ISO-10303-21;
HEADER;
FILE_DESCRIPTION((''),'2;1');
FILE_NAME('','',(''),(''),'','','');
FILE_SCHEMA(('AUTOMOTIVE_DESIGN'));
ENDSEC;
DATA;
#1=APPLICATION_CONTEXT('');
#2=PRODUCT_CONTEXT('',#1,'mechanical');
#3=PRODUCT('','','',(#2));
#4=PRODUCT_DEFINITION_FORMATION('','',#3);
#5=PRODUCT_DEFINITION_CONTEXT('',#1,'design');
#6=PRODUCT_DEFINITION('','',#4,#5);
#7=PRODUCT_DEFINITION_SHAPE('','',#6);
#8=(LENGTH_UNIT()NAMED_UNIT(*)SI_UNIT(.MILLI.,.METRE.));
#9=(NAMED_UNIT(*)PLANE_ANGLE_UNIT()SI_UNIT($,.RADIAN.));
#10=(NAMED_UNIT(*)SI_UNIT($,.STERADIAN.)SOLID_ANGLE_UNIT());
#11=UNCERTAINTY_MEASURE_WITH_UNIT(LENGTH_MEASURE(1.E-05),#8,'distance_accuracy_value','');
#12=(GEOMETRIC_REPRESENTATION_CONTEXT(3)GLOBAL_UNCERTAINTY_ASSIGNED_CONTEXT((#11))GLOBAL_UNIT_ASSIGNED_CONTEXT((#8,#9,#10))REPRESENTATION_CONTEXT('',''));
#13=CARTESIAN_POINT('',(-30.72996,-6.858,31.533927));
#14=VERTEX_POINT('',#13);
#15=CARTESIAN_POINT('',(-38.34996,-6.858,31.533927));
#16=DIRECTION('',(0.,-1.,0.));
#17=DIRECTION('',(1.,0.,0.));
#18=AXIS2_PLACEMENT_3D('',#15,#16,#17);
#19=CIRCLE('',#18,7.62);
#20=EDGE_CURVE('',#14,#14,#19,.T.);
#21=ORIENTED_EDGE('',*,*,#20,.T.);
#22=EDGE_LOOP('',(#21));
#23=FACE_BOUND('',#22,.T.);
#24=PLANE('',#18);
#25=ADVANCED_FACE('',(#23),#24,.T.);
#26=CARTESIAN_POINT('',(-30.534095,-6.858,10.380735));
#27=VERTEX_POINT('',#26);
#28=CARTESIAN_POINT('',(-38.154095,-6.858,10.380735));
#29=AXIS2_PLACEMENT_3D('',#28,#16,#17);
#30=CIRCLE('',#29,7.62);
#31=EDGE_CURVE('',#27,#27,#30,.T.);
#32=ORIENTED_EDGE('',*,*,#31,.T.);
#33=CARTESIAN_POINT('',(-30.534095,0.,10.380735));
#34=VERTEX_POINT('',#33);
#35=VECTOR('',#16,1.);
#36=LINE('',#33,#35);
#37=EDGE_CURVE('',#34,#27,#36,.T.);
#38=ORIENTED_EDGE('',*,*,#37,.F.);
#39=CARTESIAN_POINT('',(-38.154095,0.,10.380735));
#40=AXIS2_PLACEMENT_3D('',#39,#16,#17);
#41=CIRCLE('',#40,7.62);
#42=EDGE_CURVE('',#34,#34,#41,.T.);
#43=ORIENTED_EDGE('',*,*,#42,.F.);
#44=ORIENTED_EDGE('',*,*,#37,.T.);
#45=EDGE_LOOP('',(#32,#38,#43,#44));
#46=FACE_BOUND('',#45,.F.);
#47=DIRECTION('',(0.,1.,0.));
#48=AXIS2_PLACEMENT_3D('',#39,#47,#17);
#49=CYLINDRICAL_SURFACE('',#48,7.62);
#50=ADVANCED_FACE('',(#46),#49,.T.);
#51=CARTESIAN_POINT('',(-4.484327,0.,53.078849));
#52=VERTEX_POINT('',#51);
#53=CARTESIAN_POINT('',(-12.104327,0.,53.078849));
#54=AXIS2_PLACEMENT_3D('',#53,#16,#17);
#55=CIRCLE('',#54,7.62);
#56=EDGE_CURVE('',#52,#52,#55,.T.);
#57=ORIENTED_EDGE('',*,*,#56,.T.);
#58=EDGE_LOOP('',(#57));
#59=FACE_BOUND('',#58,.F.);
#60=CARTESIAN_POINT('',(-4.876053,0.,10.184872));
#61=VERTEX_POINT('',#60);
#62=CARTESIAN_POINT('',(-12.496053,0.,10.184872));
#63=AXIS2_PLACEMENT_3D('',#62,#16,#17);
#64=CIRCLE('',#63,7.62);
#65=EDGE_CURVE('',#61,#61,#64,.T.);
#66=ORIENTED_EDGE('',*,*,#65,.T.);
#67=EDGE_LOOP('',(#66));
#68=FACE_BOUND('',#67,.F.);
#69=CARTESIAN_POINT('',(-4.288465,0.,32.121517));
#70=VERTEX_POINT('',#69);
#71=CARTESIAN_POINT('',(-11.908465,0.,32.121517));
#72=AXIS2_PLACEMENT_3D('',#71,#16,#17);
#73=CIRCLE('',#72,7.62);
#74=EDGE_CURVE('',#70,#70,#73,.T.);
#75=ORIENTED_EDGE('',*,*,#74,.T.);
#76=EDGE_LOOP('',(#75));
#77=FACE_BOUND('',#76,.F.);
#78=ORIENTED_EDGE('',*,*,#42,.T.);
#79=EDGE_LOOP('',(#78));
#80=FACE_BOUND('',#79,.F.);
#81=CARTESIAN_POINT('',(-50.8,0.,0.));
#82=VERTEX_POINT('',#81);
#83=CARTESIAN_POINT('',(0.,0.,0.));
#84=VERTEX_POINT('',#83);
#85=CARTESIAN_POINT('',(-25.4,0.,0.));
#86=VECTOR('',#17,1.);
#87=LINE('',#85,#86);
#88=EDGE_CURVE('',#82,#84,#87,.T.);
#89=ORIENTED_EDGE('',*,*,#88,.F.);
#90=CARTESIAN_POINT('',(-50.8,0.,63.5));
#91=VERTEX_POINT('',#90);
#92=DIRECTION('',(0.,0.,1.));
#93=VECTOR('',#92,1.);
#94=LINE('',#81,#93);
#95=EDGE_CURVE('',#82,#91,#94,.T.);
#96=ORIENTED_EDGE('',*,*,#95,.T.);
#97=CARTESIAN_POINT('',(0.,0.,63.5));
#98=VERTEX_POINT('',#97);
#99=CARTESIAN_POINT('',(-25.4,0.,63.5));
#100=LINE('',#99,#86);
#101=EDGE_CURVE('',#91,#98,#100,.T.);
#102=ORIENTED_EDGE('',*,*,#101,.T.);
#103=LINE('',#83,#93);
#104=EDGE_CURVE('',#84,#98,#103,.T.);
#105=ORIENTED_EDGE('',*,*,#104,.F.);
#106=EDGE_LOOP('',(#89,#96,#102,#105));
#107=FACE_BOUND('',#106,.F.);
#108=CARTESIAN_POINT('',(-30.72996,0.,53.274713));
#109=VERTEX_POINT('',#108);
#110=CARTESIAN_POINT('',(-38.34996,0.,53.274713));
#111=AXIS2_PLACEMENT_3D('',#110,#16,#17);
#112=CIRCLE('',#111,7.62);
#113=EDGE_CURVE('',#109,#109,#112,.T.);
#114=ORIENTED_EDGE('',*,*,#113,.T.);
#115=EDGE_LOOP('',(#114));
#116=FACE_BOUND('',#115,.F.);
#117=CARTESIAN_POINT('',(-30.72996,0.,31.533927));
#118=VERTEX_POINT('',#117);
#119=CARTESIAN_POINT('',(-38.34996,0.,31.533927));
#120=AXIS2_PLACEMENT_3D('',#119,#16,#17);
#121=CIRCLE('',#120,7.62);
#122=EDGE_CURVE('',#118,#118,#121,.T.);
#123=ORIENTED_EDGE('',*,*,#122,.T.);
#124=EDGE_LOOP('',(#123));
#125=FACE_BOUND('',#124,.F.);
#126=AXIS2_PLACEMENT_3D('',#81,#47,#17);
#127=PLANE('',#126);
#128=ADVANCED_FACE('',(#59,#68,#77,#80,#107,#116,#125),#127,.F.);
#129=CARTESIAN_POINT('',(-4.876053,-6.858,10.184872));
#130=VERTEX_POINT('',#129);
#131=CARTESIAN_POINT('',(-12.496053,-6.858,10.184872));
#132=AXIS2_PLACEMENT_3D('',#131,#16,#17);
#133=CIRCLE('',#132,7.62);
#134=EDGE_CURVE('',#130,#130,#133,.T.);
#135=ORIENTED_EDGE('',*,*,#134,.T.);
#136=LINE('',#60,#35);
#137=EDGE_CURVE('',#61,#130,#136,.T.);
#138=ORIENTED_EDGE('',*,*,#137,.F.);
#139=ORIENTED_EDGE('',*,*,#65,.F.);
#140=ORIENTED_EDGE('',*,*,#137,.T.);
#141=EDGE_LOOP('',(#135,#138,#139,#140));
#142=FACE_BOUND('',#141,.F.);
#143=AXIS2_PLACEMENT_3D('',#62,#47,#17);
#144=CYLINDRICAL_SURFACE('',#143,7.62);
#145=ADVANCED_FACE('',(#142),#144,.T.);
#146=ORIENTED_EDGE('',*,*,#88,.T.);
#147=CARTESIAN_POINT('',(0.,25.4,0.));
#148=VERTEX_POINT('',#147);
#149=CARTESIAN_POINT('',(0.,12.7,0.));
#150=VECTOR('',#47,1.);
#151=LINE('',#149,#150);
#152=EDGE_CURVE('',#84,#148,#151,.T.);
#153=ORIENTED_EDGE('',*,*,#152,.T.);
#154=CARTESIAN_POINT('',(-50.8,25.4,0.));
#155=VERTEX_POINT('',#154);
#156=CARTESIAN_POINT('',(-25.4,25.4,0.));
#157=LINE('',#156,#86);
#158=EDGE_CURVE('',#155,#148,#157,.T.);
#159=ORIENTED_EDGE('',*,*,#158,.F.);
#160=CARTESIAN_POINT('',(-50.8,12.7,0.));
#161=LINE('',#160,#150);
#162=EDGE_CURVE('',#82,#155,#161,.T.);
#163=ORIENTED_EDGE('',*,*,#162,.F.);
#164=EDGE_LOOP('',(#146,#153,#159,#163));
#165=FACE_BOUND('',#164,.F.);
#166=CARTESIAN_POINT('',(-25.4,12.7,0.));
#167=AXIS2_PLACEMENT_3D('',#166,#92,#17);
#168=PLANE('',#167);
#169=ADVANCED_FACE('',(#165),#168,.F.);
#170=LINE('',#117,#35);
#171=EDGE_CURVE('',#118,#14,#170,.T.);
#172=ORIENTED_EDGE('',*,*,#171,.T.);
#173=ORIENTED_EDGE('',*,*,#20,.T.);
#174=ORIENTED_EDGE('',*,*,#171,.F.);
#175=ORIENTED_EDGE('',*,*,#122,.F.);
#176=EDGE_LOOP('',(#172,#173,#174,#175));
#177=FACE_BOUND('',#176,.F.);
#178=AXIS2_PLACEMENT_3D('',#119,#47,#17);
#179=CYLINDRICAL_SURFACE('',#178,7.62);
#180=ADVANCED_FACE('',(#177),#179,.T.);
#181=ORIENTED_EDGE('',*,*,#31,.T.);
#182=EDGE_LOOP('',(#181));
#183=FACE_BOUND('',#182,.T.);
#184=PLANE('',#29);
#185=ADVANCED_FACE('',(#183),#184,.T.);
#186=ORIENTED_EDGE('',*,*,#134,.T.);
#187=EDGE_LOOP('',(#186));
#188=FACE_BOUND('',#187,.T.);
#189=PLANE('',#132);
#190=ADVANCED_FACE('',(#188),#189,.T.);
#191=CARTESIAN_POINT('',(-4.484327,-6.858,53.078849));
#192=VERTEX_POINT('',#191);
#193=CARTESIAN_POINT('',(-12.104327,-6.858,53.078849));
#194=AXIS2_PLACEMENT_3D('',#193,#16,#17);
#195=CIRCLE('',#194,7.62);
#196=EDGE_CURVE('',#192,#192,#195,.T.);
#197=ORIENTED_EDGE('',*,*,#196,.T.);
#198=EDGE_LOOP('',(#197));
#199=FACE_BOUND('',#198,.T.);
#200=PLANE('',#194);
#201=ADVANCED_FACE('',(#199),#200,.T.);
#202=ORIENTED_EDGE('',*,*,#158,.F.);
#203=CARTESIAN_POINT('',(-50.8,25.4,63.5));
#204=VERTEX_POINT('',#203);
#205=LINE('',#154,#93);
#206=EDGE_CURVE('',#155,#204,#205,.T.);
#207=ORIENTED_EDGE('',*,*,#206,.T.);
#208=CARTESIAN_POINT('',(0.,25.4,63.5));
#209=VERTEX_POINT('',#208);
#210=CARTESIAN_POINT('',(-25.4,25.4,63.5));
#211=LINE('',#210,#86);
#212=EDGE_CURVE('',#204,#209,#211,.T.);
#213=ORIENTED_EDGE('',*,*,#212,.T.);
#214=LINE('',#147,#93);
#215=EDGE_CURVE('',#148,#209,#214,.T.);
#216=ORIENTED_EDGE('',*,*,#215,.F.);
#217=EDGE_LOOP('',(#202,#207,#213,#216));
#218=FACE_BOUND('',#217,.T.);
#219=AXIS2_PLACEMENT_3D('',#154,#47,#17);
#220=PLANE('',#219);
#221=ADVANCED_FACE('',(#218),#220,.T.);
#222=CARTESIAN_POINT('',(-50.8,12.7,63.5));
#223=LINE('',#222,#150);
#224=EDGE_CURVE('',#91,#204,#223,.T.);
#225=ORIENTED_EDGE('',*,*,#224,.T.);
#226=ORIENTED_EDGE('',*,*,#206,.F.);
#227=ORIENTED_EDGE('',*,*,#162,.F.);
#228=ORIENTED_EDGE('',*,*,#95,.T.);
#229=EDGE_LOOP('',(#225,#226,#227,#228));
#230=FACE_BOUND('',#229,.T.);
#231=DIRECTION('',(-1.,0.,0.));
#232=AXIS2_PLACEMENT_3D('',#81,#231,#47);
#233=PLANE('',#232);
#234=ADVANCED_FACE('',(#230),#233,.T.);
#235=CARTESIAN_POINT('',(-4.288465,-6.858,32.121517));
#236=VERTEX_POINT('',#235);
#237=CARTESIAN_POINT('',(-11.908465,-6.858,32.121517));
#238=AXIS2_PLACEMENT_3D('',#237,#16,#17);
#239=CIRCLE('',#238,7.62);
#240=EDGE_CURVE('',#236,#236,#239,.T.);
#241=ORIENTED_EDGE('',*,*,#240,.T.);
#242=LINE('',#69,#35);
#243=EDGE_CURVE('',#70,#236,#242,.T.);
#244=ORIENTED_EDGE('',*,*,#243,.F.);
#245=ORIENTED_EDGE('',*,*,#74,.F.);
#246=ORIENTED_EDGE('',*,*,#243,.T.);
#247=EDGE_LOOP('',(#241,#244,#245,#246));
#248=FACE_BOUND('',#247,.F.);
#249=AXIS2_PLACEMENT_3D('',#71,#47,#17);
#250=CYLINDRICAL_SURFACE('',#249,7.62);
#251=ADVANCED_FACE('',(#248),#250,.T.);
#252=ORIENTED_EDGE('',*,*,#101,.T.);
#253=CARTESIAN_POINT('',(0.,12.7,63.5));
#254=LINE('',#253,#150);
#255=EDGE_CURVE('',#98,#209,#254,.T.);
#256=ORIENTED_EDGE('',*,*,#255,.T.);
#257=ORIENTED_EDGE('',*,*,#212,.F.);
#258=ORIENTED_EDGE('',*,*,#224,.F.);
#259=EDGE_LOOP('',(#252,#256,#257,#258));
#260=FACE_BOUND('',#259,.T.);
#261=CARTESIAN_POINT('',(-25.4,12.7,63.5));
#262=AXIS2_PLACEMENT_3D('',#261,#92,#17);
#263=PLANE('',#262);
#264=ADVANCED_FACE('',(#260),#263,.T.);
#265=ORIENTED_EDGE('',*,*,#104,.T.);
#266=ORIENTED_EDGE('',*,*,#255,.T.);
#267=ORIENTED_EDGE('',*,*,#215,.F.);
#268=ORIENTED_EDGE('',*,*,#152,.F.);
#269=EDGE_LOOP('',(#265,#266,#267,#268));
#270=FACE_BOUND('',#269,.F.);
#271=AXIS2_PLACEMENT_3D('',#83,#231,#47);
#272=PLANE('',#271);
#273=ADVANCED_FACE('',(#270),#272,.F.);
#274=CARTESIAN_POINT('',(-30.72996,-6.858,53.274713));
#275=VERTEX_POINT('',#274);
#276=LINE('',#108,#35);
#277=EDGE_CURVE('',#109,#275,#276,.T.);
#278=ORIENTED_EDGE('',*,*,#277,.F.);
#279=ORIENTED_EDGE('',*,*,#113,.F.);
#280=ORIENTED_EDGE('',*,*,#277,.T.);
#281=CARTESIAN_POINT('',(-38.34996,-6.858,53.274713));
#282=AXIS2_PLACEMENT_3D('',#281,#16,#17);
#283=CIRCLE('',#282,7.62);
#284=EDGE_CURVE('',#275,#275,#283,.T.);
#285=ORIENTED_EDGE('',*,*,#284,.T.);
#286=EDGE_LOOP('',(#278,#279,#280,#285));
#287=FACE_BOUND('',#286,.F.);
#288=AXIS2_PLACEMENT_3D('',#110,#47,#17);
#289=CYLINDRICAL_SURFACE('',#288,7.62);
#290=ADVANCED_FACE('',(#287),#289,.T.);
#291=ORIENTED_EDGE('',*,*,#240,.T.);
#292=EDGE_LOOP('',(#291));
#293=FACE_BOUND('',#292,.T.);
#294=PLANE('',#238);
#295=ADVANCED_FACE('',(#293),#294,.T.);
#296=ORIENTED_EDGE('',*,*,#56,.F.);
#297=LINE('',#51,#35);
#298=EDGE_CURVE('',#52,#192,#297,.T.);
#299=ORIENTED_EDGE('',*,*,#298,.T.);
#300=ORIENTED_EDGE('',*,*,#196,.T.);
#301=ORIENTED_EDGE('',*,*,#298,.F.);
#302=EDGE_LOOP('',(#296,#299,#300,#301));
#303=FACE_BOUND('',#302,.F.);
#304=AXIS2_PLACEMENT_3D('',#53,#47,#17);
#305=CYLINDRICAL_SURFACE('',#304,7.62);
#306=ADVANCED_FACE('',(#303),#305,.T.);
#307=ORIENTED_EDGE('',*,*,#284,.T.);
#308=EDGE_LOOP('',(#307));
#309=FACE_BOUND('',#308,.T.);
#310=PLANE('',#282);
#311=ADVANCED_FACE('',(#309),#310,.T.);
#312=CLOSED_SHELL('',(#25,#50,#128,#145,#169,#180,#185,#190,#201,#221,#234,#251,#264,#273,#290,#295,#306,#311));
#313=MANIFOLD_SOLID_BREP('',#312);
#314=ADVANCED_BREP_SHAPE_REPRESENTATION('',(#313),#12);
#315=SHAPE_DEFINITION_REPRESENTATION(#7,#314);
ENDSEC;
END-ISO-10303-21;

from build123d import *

# Parameters (mm, degrees)
F1_W     = 50.8
F1_H     = 25.4
F2_DEPTH = 63.5
F3_R     = 7.62
F4_DEPTH = 6.858


with BuildPart() as f2:
    # F1 (on Top) → F2 (new body)
    with BuildSketch(Plane.XY):
        with Locations((-25.4, 12.7)):
            Rectangle(F1_W, F1_H)
    extrude(amount=F2_DEPTH)

    # F3 (on face) → F4 (join)
    with BuildSketch(Plane.XZ):
        with Locations((-12.1043268591, 53.0788488686)):
            Circle(F3_R)
        with Locations((-38.3499599993, 53.2747134566)):
            Circle(F3_R)
        with Locations((-38.3499599993, 31.5339267254)):
            Circle(F3_R)
        with Locations((-11.9084650651, 32.1215167642)):
            Circle(F3_R)
        with Locations((-38.1540954113, 10.3807346895)):
            Circle(F3_R)
        with Locations((-12.4960532412, 10.1848719642)):
            Circle(F3_R)
    extrude(amount=F4_DEPTH)


solid = f2.part
